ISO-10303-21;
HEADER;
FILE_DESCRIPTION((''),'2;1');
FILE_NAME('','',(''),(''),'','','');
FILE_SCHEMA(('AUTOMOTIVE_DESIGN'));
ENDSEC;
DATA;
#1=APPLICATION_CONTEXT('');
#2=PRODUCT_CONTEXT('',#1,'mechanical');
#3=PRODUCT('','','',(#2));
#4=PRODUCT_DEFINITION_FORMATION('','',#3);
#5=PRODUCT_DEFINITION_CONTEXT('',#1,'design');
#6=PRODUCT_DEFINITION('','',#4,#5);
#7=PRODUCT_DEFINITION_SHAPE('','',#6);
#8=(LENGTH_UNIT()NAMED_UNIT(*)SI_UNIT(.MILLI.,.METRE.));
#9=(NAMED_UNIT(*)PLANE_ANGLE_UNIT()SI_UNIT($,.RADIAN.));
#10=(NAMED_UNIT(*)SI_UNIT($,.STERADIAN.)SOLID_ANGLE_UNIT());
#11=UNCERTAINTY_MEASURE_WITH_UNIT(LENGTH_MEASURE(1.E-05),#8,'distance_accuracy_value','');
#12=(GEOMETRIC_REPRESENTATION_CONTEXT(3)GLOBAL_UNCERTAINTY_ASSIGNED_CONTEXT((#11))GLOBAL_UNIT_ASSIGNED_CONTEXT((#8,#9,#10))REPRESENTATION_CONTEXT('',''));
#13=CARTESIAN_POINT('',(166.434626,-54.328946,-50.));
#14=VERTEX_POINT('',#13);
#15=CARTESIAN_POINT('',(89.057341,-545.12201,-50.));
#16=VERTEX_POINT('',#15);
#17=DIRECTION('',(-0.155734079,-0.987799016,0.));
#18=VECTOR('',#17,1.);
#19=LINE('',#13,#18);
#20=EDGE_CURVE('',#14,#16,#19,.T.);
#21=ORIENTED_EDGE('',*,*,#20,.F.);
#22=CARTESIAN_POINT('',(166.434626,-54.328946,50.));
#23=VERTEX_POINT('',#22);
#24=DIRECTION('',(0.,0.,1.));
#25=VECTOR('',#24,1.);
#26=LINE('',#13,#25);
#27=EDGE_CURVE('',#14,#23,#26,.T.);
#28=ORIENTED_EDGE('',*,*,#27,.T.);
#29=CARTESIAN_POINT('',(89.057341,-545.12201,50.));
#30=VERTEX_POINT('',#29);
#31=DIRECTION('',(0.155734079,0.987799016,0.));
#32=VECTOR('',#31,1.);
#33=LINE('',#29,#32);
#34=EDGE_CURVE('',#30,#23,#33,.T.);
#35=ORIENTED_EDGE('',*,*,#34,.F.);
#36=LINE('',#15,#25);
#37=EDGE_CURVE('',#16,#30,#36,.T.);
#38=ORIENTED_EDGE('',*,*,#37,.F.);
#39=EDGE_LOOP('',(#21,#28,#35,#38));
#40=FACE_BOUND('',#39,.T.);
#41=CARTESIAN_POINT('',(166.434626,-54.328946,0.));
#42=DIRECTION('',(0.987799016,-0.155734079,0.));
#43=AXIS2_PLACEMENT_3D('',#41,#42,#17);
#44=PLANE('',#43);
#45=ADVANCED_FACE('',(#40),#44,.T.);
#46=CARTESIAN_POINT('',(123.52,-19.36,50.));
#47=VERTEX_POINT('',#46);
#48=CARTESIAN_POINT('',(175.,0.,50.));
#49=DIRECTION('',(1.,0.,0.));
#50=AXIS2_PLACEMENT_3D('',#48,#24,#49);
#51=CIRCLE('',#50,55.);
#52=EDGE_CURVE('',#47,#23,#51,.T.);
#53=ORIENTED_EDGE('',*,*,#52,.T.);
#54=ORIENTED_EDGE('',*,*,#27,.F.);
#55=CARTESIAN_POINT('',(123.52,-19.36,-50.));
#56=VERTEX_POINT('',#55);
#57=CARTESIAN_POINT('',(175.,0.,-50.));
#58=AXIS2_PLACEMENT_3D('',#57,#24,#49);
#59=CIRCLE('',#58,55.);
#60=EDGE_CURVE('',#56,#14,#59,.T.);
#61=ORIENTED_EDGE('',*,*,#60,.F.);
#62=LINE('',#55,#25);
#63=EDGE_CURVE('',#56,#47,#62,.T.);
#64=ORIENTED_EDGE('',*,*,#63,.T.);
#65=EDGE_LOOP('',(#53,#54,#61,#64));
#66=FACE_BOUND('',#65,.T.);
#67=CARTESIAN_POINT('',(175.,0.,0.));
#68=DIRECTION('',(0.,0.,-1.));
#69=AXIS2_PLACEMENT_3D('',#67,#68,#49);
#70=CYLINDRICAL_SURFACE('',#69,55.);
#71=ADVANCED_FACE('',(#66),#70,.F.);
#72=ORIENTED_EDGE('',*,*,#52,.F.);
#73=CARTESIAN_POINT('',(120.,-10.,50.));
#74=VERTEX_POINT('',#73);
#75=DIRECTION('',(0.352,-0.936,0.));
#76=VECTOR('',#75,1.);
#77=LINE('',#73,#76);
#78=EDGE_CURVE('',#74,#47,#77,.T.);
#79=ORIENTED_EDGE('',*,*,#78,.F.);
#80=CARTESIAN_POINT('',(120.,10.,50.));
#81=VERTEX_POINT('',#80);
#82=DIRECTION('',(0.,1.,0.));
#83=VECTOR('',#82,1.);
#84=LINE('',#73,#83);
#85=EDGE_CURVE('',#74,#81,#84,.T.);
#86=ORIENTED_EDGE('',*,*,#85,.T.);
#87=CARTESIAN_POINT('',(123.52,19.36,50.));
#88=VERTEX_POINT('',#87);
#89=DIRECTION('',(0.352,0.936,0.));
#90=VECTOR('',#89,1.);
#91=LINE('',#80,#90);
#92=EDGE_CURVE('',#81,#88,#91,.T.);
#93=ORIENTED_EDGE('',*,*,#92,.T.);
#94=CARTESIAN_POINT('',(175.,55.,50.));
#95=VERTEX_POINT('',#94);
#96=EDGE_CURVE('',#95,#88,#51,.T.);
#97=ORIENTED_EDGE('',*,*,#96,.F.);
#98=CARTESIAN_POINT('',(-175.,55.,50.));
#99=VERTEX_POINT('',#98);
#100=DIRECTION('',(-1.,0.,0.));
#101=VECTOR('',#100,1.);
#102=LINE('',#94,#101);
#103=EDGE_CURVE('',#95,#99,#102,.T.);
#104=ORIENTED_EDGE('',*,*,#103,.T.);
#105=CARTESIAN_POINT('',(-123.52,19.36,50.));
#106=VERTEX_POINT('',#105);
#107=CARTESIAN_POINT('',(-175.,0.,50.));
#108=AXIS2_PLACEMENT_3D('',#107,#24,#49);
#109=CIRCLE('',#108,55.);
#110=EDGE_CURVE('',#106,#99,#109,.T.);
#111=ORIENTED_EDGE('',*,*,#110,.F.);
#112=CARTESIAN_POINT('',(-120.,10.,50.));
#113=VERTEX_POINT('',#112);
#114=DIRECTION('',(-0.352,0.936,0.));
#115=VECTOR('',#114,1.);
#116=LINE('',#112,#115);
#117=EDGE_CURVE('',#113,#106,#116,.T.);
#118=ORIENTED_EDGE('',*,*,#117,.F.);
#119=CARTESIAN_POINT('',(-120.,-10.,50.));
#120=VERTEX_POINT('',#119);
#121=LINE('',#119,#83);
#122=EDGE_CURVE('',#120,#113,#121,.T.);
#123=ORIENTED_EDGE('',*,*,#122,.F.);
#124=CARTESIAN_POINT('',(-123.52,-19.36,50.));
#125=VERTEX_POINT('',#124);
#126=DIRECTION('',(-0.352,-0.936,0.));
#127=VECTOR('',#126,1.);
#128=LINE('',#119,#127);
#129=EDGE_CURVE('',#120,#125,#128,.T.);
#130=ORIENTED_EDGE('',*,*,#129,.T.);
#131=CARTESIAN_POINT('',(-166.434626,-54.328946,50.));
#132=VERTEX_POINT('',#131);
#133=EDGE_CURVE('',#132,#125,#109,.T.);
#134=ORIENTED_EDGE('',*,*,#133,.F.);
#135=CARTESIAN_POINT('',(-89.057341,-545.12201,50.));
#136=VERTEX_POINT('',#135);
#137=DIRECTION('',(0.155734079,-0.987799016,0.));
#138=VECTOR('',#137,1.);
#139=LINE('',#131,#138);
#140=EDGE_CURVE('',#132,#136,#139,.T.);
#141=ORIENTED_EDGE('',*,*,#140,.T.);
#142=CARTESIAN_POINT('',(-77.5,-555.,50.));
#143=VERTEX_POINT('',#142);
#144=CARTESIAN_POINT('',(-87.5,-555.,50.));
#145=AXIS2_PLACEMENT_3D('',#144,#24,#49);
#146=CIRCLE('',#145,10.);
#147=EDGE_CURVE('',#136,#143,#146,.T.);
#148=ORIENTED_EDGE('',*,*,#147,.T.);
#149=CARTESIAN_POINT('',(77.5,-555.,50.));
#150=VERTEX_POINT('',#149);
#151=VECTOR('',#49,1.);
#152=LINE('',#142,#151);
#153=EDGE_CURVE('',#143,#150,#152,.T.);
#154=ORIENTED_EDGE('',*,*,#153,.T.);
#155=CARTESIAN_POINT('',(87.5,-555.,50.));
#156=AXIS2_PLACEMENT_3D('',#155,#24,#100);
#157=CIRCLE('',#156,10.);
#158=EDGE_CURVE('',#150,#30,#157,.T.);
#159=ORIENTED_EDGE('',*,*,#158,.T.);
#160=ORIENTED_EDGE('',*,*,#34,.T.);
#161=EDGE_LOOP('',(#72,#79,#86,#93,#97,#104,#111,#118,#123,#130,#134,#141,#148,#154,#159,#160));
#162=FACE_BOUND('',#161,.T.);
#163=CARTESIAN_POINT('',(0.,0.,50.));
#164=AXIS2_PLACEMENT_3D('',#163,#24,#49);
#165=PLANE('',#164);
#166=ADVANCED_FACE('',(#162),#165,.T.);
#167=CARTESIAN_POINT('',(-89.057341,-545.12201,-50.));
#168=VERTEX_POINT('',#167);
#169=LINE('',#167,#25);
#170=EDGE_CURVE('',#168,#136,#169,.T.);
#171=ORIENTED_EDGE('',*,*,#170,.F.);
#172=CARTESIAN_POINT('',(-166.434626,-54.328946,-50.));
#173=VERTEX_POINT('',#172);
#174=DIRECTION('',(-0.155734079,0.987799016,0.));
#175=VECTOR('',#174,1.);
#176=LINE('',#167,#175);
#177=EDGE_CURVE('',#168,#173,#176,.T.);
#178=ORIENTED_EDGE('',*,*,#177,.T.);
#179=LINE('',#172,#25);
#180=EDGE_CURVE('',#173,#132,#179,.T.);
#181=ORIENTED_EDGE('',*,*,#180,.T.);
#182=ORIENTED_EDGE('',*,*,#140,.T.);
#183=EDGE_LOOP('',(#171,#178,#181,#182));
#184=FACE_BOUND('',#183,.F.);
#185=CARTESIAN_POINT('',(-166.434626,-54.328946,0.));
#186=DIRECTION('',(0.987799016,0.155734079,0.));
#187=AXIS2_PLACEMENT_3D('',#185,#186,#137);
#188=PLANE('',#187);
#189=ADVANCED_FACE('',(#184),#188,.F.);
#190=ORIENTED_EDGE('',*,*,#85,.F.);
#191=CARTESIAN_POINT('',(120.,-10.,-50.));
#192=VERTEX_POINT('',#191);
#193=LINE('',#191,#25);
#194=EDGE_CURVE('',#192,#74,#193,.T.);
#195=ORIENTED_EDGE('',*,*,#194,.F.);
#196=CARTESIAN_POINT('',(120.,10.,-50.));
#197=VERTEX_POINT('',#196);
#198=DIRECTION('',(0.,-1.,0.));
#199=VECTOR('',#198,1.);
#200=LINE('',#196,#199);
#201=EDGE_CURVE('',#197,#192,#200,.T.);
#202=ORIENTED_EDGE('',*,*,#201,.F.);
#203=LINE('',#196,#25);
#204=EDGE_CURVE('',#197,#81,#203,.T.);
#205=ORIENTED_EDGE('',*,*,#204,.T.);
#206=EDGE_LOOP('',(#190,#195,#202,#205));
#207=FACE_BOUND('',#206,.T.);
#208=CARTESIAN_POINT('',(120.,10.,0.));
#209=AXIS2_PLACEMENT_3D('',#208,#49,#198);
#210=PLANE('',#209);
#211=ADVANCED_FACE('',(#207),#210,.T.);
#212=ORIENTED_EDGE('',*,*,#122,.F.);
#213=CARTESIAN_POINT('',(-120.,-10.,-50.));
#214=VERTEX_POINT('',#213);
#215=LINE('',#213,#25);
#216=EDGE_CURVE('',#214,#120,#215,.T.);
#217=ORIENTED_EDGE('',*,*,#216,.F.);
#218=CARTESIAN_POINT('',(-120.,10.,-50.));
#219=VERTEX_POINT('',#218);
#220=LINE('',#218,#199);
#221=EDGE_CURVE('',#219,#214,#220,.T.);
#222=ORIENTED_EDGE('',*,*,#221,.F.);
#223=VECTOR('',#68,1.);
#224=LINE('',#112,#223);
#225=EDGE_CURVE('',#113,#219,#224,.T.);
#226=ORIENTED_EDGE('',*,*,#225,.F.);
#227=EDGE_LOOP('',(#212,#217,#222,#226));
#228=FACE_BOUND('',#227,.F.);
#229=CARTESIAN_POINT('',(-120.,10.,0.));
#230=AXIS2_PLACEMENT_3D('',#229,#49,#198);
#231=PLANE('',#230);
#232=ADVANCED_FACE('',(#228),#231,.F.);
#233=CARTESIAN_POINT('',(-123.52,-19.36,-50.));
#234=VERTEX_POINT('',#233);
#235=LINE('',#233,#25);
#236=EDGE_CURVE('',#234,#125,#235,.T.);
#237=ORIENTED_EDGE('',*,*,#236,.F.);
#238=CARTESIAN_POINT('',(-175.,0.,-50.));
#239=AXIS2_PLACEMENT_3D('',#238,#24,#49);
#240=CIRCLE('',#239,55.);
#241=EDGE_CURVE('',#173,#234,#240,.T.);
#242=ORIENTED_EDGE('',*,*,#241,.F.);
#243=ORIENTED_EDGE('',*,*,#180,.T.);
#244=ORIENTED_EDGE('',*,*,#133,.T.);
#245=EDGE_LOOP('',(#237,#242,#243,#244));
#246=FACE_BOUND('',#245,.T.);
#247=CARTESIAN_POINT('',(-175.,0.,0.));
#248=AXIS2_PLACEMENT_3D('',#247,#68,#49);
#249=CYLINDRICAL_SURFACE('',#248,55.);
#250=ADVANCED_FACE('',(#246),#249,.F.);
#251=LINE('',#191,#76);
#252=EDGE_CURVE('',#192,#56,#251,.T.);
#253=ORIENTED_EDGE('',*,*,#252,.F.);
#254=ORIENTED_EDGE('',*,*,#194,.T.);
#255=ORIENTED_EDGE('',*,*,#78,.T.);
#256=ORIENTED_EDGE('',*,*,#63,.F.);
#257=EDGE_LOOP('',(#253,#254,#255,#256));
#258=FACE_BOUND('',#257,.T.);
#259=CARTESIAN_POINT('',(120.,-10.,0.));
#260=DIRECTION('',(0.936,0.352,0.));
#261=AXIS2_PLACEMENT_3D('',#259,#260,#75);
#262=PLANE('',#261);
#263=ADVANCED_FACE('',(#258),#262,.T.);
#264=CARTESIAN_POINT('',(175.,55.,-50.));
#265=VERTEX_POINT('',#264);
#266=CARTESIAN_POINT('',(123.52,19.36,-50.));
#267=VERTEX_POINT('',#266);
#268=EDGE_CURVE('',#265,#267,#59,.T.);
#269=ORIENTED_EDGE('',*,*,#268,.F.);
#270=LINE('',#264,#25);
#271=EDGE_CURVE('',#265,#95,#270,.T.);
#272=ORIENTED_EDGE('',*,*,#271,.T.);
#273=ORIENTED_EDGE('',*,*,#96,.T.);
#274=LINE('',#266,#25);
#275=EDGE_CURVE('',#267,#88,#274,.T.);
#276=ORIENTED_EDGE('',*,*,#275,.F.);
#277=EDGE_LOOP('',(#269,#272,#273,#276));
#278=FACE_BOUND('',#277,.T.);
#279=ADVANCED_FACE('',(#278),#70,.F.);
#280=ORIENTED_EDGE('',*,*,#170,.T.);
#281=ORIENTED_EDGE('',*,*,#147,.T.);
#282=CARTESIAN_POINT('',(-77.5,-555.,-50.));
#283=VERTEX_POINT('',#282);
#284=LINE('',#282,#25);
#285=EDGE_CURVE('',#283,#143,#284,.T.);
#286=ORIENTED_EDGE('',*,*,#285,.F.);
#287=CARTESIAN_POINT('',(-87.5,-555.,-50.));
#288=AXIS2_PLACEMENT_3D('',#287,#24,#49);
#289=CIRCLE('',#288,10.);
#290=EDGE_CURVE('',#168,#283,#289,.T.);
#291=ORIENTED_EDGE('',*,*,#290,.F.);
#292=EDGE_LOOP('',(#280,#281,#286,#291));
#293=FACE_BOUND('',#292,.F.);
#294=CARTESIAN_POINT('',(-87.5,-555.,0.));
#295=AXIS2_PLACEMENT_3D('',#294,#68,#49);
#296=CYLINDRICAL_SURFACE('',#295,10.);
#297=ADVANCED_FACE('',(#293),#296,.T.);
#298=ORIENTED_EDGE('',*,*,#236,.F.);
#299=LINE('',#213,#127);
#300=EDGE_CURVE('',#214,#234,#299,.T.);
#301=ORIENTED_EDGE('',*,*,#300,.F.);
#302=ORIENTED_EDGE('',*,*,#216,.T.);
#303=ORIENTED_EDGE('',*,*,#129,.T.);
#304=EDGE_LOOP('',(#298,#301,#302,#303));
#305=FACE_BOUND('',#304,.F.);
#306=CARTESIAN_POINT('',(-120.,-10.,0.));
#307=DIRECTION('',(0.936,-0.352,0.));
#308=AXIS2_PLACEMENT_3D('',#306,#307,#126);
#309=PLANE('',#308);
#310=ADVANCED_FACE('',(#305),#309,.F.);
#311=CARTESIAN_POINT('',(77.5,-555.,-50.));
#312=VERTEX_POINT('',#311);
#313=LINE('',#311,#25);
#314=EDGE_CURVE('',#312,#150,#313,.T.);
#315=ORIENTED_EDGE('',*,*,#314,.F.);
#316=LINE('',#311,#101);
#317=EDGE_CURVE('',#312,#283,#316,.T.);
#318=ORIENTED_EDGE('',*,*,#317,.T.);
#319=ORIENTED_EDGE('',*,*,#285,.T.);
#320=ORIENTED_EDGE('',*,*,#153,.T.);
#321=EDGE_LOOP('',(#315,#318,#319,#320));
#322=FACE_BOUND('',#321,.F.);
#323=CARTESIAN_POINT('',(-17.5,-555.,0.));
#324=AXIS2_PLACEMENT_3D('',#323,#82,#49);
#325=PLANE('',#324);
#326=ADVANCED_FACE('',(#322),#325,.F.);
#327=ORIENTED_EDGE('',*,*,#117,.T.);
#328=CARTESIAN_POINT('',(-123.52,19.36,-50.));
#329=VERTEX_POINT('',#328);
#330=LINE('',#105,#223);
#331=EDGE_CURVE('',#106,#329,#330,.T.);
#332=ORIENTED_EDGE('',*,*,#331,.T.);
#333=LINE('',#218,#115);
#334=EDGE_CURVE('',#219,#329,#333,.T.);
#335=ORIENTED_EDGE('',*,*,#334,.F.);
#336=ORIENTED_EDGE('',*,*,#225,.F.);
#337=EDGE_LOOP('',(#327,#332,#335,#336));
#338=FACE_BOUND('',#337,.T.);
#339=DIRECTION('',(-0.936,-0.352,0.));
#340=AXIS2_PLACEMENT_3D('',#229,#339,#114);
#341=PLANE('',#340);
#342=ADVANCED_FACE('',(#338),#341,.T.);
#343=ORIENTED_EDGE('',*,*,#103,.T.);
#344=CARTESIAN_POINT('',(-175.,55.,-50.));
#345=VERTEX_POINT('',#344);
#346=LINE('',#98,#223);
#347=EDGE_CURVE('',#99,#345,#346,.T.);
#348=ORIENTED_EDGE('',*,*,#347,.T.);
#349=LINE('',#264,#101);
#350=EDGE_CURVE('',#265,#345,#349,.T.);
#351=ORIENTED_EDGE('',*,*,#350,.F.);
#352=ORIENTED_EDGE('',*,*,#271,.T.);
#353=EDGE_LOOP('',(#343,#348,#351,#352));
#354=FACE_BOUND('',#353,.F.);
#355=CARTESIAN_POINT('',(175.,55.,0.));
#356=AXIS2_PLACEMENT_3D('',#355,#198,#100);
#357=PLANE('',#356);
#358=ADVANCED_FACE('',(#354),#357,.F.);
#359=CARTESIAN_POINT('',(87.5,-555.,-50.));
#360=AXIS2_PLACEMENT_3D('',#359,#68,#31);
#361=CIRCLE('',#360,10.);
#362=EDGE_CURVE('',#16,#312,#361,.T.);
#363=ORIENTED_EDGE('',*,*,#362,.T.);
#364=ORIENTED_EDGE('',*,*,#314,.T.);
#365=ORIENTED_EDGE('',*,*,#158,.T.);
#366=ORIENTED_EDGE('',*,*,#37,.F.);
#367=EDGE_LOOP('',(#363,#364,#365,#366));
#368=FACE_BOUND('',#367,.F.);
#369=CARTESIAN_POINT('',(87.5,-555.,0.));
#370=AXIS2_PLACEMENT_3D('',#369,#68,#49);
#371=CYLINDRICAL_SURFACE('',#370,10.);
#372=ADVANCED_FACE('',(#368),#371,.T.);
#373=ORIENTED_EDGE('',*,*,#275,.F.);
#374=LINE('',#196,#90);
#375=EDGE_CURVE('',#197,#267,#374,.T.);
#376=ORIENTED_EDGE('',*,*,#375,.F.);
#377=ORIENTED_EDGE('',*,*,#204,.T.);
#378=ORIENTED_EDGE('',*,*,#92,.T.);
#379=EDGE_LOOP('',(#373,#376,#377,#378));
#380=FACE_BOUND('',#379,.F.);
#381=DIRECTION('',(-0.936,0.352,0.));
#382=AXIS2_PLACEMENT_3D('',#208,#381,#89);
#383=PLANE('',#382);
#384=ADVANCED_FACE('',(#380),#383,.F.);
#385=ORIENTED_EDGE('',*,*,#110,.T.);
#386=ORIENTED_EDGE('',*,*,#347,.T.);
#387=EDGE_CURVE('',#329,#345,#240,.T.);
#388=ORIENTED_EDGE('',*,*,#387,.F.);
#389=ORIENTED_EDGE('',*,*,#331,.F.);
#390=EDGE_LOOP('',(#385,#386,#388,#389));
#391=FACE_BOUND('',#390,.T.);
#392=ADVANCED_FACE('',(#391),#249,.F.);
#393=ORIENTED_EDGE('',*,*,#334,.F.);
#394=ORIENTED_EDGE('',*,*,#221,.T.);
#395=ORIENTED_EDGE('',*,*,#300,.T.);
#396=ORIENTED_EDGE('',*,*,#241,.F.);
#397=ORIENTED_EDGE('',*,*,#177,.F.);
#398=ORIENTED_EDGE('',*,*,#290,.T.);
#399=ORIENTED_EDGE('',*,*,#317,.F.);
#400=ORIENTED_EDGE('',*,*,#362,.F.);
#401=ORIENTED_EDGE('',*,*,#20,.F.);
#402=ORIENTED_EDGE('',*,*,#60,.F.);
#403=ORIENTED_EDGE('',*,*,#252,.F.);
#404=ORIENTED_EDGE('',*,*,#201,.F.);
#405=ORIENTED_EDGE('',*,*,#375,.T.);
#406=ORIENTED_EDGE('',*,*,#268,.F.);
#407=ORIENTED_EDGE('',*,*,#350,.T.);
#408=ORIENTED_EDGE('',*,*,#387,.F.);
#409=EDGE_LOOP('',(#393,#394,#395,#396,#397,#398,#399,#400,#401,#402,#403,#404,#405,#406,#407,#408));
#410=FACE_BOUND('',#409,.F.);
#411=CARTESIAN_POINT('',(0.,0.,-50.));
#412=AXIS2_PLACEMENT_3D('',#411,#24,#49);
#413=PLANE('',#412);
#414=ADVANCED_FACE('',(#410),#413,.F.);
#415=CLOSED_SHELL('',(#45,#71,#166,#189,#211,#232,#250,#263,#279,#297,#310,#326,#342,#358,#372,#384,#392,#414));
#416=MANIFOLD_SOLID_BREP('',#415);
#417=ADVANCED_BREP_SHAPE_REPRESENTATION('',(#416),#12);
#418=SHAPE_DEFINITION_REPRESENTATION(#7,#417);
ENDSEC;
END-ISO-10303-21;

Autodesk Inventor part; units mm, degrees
ref_plane "YZ Plane" through (0, 0, 0) normal (1, 0, 0) x (0, 1, 0)
ref_plane "XZ Plane" through (0, 0, 0) normal (0, 1, 0) x (-1, 0, 0)
ref_plane "XY Plane" through (0, 0, 0) normal (0, 0, 1) x (1, 0, 0)
sketch "Эскиз1" plane through (0, 0, 0) normal (0, 0, 1) x (1, 0, 0)
  line L0 (-175, 0) -> (175, 0)
  line L1 (0, 0) -> (0, -465)
  line L2 (0, -465) -> (-87.5, -555)
  line L3 (-87.5, -555) -> (87.5, -555)
  line L4 (87.5, -555) -> (0, -465)
  circle A0 centre (175, 0) radius 55
  circle A1 centre (-175, 0) radius 55
  circle A2 centre (87.5, -555) radius 70
  circle A3 centre (-87.5, -555) radius 70
  line L5 (175, 0) -> (87.5, -555)
  line L6 (-175, 0) -> (-87.5, -555)
  line L7 (175, 55) -> (-175, 55)
  line L8 (87.5, -625) -> (-87.5, -625)
  line L9 (-120, 10) -> (-120, -10)
  line L10 (120, 10) -> (120, -10)
  line L11 (-120, 10) -> (-123.52, 19.36)
  line L12 (-120, -10) -> (-123.52, -19.36)
  line L13 (120, 10) -> (123.52, 19.36)
  line L14 (120, -10) -> (123.52, -19.36)
  circle A4 centre (87.5, -555) radius 10
  circle A5 centre (-87.5, -555) radius 10
  point P0 (0, -555)
  point P1 (166.4346, -54.3289)
  point P2 (-166.4346, -54.3289)
  point P3 (-98.4014, -485.8541)
  point P4 (98.4014, -485.8541)
  point P5 (120, 0)
  point P6 (-120, 0)
  point P7 (-38.7045, -504.8104)
  point P8 (38.7045, -504.8104)
  point P9 (89.0573, -545.122)
  point P10 (-89.0573, -545.122)
  point P11 (-77.5, -555)
  point P12 (77.5, -555)
  dimension "d10" = 140
  dimension "d11" = 140
  dimension "d4" = 90
  dimension "d5" = 175
  dimension "d6" = 350
  dimension "d7" = 110
  dimension "d8" = 110
  dimension "d9" = 465
  dimension "d14" = 20
  dimension "d15" = 20
  dimension "d16" = 20
  dimension "d17" = 20
extrude "Выдавливание1" add sketch "Эскиз1" along normal mid plane 100 contours L9 L11 A1 L7 A0 L13 L10 L0 | L0 L1 L2 A3 L6 A1 L12 L9 | L0 L10 L14 A0 L5 A2 L4 L1 | A3 L2 A5 L6 | L4 A2 L3 A3 L2 | A3 L3 A5 L2 | A5 L2 L6 | L6 L3 A5 | A2 L5 A4 L4 | L4 A4 L3 A2 | A5 L3 L2 | A4 L5 L4 | L4 L3 A4 | L5 A4 L3
equation "\"d10\" = hip_diam"
equation "\"d11\" = d10"
equation "\"d4\" = hip_joint_hight"
equation "\"d5\" = hip_joint_width"
equation "\"d6\" = clavicular_width"
equation "\"d7\" = shoulder_radius"
equation "\"d8\" = d7"
equation "\"hip_diam\" = 140"
equation "\"hip_joint_hight\" = 90"
equation "\"hip_joint_width\" = 175"
equation "\"clavicular_width\" = 350"
equation "\"shoulder_radius\" = 110"
properties part number "ч ASY human dummy 01"
